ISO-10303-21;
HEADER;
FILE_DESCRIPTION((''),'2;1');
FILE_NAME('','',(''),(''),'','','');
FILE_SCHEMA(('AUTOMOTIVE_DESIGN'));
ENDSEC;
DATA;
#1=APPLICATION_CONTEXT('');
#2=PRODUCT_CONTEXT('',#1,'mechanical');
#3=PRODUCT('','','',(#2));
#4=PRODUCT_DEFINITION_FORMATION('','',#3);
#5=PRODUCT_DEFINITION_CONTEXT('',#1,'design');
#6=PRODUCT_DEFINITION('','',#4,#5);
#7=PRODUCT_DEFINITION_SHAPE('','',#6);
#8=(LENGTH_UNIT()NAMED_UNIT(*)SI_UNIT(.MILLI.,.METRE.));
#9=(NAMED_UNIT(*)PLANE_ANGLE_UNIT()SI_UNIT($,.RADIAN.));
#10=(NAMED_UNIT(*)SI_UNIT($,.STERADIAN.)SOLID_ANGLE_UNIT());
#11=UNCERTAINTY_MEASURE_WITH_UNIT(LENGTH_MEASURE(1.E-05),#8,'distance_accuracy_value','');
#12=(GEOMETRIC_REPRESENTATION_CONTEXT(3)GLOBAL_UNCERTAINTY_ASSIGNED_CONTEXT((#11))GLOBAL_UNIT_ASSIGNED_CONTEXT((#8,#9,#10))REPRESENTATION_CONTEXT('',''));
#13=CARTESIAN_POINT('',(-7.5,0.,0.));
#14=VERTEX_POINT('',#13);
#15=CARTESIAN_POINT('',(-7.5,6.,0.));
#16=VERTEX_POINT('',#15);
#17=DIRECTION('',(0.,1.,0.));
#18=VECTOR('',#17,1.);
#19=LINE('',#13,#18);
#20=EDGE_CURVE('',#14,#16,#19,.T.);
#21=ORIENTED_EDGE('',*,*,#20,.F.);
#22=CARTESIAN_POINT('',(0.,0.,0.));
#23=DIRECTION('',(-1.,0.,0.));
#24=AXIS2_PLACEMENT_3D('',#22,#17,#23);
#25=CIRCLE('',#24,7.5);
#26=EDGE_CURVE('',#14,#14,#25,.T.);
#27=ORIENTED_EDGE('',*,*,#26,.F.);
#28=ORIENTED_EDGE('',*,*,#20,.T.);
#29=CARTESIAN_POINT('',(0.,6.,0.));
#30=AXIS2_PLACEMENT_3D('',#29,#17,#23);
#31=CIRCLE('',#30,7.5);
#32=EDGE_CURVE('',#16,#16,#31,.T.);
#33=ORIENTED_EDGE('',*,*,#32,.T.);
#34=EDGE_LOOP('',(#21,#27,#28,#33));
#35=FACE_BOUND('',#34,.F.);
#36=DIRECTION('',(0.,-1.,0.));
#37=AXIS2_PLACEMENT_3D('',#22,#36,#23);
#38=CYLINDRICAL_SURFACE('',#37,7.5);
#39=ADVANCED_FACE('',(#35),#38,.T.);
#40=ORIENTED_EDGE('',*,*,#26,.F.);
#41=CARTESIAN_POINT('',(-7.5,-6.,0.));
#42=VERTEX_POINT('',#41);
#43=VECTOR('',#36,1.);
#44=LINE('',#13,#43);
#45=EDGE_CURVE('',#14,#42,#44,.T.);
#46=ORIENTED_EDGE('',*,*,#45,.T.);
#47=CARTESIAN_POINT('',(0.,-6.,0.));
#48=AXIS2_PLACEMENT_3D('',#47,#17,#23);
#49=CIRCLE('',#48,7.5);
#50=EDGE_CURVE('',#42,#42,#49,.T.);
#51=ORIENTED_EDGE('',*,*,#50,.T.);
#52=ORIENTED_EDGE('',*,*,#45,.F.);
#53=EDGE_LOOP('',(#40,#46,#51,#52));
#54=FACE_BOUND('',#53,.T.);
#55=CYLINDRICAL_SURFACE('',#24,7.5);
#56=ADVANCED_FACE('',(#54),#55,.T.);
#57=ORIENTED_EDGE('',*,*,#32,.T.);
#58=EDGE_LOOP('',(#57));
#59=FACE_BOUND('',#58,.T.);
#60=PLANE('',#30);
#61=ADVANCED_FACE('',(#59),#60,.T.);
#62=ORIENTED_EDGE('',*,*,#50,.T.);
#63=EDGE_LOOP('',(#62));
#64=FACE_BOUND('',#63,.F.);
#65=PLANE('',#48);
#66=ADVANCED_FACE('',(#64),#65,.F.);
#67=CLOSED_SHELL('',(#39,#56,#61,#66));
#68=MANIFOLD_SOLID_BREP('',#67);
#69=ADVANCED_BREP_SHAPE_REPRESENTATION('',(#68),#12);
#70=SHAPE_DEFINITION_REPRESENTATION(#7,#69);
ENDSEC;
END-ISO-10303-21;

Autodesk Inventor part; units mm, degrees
ref_plane "YZ Plane" through (0, 0, 0) normal (1, 0, 0) x (0, 1, 0)
ref_plane "XZ Plane" through (0, 0, 0) normal (0, 1, 0) x (-1, 0, 0)
ref_plane "XY Plane" through (0, 0, 0) normal (0, 0, 1) x (1, 0, 0)
sketch "Esboço1" plane through (0, 0, 0) normal (0, 1, 0) x (-1, 0, 0)
  circle A0 centre (0, 0) radius 7.5
  dimension "d0" = 15
extrude "Extrusão1" add sketch "Esboço1" along normal mid plane 12
properties part number "Peça7_cilinder"
